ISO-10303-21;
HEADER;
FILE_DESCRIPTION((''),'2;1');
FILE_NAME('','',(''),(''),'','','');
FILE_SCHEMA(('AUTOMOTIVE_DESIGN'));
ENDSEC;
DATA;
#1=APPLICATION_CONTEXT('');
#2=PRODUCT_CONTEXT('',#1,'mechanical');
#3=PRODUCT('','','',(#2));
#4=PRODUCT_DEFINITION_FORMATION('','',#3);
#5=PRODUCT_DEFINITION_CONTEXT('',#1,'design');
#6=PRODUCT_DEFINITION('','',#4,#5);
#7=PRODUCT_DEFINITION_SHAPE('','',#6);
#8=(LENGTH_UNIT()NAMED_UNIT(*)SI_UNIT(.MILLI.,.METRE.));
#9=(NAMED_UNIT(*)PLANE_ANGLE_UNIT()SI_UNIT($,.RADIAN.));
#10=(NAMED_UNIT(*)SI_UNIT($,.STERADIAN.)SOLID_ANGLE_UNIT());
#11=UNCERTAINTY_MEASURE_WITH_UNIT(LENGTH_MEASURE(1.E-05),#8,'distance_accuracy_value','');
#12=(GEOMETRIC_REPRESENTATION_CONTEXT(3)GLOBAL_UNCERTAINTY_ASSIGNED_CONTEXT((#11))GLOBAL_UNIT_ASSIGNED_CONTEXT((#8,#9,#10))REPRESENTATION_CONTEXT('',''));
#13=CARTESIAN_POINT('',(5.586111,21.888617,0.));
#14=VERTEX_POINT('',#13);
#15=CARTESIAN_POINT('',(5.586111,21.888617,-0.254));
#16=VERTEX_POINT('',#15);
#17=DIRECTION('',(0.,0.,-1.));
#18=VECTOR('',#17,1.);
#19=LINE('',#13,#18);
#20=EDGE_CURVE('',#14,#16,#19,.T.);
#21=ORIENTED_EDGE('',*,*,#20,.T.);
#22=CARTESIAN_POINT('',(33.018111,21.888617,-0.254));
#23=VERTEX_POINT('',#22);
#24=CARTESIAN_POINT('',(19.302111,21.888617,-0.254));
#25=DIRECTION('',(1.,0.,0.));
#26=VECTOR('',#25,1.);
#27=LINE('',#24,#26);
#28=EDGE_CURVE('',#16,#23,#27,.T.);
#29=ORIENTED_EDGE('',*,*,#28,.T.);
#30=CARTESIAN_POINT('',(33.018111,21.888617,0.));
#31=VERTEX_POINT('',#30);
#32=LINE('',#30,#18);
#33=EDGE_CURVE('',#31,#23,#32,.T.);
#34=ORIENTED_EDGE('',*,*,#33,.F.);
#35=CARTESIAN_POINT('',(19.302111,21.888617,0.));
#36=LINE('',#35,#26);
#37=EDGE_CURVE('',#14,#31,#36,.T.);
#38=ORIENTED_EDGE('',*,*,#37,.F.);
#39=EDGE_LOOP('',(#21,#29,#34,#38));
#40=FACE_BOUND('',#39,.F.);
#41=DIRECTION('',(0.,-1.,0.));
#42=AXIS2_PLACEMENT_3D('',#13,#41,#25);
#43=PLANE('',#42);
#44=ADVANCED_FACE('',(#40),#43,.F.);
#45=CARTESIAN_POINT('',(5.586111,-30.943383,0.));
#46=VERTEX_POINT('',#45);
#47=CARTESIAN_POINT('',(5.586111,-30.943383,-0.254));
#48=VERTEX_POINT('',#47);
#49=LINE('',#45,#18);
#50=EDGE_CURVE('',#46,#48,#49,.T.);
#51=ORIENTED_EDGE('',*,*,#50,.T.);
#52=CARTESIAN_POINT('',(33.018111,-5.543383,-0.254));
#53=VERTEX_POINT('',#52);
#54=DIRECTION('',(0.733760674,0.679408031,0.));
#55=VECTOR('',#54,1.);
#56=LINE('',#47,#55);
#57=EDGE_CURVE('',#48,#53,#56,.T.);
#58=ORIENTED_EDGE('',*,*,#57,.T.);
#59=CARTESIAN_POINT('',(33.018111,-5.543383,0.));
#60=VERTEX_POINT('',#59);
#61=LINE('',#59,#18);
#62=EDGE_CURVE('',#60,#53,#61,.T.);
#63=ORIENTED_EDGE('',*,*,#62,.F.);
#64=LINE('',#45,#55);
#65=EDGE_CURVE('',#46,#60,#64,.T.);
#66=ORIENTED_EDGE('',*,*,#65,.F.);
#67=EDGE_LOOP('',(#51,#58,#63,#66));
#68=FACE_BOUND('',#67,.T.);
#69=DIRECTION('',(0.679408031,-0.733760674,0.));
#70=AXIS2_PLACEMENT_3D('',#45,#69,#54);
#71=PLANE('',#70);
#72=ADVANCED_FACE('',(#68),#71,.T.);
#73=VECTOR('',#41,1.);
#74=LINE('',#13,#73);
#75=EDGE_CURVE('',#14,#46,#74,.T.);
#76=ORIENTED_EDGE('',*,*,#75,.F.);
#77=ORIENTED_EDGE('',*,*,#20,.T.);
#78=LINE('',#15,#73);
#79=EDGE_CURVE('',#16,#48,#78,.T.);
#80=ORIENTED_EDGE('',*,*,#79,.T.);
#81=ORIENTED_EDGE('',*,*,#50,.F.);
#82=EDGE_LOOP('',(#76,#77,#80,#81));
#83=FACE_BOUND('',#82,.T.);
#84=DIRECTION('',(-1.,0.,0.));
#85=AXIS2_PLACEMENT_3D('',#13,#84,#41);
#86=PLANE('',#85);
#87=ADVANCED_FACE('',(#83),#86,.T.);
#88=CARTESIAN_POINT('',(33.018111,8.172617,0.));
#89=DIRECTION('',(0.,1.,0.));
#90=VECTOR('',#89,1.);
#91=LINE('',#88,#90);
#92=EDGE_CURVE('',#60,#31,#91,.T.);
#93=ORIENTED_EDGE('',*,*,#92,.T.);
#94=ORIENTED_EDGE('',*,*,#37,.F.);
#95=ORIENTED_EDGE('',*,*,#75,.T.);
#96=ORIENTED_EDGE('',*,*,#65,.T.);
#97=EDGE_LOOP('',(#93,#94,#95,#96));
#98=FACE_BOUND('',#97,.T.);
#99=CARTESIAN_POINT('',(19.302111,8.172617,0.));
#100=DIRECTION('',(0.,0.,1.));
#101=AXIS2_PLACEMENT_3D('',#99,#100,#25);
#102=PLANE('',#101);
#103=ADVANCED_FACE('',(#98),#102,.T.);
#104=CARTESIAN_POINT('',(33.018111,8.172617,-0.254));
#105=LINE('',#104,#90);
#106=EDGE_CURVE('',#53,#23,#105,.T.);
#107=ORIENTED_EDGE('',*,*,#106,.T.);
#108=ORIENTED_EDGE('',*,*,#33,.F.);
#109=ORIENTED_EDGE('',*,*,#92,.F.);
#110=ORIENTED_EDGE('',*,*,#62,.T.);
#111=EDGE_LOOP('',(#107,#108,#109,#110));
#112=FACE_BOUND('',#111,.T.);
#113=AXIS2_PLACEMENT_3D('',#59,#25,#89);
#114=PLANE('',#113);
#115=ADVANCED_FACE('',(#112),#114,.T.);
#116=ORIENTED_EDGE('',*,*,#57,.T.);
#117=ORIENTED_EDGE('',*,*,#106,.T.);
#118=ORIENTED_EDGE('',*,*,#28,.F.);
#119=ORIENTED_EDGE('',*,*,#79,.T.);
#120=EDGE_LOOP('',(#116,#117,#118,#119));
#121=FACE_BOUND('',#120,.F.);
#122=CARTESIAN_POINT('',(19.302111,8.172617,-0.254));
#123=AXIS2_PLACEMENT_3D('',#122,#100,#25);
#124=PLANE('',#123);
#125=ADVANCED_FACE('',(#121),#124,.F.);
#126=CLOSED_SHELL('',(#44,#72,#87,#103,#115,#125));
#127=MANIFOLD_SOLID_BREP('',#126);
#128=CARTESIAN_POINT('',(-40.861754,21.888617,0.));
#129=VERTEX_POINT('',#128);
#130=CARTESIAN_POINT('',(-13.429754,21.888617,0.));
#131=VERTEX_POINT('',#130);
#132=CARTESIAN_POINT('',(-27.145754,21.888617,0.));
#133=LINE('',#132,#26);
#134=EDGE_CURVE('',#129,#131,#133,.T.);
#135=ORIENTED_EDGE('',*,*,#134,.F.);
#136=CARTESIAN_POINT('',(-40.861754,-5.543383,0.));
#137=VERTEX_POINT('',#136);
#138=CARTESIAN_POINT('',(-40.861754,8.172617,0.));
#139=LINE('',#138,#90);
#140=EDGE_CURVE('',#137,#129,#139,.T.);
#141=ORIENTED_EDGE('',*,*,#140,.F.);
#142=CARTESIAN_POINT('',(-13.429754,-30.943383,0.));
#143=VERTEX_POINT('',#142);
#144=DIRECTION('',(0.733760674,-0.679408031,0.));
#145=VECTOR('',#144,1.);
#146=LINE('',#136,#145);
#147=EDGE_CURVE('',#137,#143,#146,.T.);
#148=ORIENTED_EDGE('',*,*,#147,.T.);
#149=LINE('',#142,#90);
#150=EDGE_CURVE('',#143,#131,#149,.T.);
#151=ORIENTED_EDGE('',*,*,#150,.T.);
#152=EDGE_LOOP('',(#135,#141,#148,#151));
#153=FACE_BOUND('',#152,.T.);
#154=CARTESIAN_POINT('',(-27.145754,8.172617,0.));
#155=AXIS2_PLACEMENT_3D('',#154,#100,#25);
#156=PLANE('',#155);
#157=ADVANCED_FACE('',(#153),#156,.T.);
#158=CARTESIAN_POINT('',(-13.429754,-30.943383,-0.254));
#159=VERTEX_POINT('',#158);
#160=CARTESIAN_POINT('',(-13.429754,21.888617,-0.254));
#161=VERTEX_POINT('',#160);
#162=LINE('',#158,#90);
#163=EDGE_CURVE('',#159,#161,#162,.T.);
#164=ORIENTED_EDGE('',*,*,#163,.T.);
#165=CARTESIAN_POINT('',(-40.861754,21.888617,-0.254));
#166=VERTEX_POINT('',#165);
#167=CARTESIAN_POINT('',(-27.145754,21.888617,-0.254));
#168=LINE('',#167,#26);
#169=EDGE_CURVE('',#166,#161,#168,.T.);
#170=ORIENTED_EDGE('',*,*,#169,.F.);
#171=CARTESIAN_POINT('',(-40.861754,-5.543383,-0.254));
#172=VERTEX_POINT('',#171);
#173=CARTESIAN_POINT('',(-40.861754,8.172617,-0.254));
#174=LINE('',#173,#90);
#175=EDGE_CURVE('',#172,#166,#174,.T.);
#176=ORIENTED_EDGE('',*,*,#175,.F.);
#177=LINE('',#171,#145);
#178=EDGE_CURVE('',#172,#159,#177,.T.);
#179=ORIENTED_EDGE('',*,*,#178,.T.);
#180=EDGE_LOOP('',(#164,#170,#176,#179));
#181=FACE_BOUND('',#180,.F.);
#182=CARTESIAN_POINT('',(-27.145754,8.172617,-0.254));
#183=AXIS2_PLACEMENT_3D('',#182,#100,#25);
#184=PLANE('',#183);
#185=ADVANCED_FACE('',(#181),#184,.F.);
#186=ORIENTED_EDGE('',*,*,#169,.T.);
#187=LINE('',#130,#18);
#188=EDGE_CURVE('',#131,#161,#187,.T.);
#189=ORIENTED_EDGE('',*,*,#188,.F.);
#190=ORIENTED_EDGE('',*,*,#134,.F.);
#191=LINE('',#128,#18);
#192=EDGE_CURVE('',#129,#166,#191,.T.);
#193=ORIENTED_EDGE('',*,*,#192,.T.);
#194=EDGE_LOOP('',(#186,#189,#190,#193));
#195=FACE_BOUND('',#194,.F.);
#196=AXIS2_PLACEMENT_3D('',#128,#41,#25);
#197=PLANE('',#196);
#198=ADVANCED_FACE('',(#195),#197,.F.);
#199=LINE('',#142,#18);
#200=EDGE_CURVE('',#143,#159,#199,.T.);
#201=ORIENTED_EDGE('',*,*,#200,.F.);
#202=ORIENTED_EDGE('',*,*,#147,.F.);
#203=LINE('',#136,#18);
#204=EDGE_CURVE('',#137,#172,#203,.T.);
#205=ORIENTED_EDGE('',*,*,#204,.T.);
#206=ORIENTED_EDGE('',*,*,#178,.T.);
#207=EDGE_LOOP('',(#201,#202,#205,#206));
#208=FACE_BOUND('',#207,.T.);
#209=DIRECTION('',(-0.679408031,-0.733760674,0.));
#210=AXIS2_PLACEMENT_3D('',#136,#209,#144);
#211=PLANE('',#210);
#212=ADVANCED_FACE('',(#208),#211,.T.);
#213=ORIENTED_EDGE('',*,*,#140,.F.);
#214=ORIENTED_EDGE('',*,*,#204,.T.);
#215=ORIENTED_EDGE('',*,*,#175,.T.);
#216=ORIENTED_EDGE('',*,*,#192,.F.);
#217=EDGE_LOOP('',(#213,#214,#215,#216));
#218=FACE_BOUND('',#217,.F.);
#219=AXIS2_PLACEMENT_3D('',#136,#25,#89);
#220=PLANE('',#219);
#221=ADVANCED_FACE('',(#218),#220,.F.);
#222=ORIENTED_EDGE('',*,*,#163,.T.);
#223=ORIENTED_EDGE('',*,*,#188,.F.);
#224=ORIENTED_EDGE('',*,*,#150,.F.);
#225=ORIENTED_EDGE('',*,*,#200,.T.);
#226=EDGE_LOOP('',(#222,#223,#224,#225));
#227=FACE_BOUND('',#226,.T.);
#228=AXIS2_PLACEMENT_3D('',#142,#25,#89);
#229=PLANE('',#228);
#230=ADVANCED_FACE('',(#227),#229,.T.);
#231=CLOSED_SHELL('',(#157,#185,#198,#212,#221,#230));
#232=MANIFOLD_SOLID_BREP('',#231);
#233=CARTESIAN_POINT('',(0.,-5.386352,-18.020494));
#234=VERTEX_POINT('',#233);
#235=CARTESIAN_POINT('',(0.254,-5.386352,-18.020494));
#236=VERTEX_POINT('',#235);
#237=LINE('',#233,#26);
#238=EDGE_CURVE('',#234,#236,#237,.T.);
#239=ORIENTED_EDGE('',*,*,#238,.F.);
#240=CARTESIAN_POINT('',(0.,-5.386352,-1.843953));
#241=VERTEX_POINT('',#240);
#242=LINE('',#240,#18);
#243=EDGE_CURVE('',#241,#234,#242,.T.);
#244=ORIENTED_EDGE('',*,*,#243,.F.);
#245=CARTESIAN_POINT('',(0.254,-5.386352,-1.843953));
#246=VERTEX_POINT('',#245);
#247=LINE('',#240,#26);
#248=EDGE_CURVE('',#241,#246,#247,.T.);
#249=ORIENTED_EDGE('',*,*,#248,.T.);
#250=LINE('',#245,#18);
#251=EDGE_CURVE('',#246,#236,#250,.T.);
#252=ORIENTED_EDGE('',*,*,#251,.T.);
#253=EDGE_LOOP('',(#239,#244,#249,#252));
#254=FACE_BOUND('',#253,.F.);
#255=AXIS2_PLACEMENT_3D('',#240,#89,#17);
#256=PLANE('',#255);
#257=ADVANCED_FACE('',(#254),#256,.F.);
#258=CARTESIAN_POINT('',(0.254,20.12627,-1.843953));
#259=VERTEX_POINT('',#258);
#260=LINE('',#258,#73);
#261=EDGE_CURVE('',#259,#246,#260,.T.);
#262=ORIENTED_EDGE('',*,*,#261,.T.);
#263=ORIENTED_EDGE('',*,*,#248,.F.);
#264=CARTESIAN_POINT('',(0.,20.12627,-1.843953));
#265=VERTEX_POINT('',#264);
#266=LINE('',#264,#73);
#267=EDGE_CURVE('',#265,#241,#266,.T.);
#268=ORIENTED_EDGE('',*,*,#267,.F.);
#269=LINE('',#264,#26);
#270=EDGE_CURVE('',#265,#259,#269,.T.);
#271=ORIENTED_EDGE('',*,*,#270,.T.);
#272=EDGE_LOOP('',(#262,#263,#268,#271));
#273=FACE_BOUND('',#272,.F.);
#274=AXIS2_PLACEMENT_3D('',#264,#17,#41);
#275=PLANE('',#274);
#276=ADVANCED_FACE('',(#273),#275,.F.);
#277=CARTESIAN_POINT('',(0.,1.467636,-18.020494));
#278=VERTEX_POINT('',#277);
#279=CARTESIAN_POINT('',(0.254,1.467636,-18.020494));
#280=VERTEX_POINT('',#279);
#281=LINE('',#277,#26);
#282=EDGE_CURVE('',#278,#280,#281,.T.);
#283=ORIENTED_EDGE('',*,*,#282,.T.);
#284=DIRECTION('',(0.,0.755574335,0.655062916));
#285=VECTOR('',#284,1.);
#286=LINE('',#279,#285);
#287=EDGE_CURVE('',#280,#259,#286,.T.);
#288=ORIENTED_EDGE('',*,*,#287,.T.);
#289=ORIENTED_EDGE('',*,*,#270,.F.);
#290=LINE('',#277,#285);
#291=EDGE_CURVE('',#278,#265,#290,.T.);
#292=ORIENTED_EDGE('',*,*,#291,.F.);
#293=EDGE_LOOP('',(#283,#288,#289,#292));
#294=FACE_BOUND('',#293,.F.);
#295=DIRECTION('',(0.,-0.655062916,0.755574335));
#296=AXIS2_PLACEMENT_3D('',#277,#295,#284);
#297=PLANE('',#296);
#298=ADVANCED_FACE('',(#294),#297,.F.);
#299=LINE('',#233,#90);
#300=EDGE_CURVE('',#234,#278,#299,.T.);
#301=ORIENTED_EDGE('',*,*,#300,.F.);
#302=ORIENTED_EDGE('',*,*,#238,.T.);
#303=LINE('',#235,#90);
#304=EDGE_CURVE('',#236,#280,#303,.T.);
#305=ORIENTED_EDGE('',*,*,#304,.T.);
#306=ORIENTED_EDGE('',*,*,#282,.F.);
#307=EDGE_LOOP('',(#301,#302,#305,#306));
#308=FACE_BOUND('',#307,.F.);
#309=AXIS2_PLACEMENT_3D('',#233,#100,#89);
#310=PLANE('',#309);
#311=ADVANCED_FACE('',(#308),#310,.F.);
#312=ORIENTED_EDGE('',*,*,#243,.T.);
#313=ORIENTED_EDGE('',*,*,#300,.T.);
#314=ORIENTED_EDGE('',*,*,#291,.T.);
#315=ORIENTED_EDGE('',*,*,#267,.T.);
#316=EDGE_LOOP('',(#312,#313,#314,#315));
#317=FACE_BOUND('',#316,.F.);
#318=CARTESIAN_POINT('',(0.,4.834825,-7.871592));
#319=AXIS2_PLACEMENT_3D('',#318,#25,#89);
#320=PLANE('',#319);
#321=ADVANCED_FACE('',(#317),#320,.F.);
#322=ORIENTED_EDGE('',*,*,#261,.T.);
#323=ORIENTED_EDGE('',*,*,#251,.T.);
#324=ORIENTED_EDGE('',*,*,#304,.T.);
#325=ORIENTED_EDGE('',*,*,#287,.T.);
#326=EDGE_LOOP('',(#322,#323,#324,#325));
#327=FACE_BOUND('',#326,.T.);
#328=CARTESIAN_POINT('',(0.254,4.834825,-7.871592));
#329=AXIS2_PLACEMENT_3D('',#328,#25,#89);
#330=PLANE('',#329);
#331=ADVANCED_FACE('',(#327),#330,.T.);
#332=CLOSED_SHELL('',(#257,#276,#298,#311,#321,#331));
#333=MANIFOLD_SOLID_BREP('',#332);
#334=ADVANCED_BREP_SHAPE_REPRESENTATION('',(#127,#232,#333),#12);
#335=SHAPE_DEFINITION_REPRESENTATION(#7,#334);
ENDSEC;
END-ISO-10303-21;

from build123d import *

# Parameters (mm, degrees)
F0_W     = 27.432
F0_H     = 27.432
F1_DEPTH = 0.254
F3_DEPTH = 0.254


with BuildPart() as f1:
    # F0 (on Top) → F1 (new body)
    with BuildSketch(Plane.XY):
        with Locations((-27.145754, 8.172617)):
            Rectangle(F0_W, F0_H)
        Polygon((-13.429754, -5.543383), (-40.861754, -5.543383), (-13.429754, -30.943383), align=None)
        with Locations((19.302111, 8.172617)):
            Rectangle(F0_W, F0_H)
        Polygon((33.018111, -5.543383), (5.586111, -5.543383), (5.586111, -30.943383), (19.302111, -18.243383), align=None)
    extrude(amount=-F1_DEPTH)


with BuildPart() as f3:
    # F2 (on Right) → F3 (new body)
    with BuildSketch(Plane.YZ):
        Polygon((20.12627, -1.843953), (-5.386352, -1.843953), (-5.386352, -18.020494), (1.467636, -18.020494), align=None)
    extrude(amount=F3_DEPTH)


solid = Compound([f1.part, f3.part])
